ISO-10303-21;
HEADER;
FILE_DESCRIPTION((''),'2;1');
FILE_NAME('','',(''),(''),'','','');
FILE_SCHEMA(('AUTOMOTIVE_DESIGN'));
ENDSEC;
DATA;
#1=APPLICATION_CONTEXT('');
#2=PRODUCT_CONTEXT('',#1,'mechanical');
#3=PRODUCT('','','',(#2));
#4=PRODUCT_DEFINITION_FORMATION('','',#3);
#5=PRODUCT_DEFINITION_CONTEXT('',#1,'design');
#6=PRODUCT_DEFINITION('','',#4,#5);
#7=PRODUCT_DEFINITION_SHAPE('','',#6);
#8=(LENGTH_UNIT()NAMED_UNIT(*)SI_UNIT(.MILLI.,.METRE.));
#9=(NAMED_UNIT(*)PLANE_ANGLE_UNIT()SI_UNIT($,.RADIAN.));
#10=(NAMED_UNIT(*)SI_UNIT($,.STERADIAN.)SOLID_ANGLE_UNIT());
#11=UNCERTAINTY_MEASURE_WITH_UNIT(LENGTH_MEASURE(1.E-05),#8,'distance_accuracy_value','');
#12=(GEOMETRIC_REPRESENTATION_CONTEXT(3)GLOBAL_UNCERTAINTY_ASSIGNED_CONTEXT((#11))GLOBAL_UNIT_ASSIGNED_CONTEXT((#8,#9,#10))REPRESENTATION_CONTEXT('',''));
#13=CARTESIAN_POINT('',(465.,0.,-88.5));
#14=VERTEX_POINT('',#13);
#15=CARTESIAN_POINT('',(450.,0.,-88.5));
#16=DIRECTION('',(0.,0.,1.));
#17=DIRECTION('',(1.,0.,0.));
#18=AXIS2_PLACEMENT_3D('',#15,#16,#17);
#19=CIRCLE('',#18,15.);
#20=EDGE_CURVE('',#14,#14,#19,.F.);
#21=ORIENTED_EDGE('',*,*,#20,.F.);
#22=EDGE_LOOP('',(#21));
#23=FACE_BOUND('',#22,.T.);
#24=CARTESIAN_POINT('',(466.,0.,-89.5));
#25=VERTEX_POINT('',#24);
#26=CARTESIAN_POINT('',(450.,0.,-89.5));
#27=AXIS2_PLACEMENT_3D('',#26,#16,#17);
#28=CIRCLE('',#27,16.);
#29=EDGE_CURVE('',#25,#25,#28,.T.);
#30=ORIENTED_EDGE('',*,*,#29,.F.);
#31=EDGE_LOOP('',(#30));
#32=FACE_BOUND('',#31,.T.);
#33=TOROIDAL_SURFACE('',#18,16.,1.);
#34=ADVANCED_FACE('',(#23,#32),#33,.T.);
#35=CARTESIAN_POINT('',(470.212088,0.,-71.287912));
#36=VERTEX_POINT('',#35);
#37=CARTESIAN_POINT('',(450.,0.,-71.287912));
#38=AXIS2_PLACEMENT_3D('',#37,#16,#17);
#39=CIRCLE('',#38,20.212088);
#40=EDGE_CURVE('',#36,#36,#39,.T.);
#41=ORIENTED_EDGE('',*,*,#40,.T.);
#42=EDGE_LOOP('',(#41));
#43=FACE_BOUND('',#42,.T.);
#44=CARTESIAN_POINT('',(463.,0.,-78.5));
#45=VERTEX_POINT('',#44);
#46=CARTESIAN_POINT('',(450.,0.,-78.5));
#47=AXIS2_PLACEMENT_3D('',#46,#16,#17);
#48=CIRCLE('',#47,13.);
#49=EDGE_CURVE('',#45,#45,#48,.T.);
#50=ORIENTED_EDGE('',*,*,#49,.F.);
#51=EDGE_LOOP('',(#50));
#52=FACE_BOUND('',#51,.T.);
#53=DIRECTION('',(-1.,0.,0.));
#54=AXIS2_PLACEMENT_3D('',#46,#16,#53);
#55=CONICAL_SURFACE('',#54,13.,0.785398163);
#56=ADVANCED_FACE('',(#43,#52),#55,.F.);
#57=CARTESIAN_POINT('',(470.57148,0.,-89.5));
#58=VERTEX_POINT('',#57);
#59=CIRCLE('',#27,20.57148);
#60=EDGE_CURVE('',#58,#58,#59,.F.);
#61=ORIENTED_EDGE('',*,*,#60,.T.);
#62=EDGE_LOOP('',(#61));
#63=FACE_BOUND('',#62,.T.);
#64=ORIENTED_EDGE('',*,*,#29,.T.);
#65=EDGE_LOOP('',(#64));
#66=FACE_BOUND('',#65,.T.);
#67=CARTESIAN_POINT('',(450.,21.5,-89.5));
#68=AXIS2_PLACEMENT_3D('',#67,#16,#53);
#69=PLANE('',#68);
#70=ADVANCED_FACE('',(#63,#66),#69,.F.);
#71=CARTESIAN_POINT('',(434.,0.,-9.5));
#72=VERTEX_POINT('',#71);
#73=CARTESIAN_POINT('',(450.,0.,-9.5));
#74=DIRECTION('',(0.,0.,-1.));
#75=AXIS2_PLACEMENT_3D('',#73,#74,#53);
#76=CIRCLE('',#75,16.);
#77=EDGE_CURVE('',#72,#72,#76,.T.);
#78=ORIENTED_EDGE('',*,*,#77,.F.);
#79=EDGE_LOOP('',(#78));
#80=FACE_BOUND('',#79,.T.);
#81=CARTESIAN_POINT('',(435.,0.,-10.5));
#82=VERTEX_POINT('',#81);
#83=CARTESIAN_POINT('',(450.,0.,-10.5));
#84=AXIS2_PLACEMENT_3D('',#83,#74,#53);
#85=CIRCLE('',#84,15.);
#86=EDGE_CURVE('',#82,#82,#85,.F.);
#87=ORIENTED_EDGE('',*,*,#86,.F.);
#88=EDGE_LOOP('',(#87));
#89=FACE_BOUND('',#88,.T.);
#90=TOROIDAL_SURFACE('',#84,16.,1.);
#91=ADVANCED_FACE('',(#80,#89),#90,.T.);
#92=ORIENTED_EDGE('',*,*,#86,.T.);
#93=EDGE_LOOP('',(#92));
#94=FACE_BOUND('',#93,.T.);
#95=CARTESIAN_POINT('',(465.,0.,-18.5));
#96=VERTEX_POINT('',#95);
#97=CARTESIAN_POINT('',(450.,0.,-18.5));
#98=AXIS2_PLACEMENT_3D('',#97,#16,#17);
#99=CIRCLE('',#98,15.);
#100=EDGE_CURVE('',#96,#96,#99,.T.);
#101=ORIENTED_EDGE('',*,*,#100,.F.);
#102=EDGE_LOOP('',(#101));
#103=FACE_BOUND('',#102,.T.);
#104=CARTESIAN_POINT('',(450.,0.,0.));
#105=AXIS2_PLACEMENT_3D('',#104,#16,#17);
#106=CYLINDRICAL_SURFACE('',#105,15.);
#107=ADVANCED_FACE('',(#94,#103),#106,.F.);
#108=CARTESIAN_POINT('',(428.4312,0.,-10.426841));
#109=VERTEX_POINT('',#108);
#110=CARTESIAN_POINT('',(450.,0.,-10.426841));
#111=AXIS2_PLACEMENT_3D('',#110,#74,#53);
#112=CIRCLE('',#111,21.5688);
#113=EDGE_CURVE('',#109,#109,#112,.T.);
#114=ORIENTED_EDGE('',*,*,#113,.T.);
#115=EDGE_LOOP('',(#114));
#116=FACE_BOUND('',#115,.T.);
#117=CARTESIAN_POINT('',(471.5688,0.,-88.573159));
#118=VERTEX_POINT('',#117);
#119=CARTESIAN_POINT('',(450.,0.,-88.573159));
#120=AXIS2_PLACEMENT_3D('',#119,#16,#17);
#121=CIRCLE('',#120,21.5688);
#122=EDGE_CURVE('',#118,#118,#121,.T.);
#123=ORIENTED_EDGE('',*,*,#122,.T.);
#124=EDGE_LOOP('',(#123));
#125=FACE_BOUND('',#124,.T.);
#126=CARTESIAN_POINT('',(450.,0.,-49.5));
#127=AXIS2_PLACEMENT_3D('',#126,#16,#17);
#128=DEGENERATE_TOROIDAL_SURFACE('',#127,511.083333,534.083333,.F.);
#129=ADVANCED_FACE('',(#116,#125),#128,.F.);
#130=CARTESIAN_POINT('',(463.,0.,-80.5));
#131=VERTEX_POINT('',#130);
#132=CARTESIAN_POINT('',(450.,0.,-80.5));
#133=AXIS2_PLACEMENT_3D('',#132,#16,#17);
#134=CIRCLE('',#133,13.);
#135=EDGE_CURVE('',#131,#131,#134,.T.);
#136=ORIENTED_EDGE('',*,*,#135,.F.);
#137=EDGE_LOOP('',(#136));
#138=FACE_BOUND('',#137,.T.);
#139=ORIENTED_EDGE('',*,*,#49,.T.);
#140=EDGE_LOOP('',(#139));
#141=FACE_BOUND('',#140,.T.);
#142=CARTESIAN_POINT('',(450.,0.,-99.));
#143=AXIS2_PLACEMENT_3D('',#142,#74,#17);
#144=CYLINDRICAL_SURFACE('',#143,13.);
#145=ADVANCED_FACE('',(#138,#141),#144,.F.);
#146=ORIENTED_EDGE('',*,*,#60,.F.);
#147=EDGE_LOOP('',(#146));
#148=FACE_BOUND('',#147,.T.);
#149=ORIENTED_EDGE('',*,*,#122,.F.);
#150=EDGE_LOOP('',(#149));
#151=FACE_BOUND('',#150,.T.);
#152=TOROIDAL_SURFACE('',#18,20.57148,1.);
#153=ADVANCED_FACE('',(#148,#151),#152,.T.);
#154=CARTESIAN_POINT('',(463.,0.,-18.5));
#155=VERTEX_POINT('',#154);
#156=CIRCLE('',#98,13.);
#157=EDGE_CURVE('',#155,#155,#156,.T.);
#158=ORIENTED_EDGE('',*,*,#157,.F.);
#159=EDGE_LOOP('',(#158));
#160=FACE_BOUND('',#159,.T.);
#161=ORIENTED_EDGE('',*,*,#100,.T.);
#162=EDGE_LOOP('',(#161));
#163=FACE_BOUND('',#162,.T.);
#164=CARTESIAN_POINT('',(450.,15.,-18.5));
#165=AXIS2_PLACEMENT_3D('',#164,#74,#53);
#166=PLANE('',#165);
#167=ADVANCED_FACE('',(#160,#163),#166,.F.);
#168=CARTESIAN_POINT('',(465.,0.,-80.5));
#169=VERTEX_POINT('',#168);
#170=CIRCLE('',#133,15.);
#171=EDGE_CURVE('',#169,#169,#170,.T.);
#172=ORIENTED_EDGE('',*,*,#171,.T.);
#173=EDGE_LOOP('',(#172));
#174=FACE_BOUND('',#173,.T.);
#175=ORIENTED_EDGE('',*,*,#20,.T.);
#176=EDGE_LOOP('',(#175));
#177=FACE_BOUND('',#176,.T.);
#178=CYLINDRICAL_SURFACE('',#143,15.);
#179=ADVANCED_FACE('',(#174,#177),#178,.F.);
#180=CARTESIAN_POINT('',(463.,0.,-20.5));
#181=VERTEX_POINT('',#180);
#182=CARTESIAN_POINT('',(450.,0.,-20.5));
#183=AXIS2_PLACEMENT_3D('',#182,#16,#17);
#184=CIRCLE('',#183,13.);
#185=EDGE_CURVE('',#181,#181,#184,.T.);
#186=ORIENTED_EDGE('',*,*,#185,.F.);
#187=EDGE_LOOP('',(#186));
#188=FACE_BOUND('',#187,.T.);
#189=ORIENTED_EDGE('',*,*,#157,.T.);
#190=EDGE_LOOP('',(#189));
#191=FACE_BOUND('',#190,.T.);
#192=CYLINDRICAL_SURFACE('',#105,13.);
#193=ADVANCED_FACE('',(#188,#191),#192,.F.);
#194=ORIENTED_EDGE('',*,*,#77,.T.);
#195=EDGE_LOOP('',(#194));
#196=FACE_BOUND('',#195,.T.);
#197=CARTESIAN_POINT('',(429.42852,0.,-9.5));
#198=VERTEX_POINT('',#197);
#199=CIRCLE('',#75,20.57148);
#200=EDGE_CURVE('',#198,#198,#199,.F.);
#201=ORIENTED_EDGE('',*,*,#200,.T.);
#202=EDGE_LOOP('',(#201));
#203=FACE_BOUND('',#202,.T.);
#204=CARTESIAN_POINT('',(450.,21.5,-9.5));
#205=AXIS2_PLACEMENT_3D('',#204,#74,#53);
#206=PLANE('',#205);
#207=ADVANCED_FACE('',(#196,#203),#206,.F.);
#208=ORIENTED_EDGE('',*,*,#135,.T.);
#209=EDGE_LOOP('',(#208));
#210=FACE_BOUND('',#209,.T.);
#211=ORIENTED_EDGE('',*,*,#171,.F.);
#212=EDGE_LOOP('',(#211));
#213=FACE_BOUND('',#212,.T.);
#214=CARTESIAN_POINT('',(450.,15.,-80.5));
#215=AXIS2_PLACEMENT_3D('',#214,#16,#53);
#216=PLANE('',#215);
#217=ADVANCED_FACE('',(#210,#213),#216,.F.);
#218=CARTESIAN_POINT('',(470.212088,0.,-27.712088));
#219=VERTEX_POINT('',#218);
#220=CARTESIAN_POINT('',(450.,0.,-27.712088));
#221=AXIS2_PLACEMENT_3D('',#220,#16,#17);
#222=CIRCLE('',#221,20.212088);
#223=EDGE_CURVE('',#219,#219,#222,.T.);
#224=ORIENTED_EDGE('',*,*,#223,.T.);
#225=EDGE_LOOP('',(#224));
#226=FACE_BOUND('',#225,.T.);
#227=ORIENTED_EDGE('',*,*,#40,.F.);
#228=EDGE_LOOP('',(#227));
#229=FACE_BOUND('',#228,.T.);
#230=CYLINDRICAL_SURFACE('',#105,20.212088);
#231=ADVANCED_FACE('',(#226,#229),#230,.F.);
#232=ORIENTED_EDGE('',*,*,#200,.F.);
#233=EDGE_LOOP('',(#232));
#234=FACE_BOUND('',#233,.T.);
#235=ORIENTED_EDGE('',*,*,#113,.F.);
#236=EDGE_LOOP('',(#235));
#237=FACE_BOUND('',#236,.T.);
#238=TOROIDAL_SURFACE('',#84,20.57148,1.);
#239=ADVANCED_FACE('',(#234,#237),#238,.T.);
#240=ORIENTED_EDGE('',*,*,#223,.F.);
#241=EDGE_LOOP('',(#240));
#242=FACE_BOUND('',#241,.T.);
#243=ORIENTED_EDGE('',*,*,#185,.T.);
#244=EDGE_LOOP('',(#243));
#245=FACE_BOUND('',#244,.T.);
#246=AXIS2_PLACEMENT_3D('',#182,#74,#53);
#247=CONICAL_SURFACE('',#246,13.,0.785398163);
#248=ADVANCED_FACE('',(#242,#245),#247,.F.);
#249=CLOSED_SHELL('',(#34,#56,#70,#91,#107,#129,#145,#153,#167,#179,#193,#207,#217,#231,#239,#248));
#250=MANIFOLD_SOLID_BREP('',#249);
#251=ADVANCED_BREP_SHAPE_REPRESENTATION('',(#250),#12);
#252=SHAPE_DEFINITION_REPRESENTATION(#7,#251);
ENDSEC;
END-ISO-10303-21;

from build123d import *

# Parameters (mm, degrees)
VERRUNDUNG1_R = 1


with BuildPart() as part:
    # Skizze1 → Rotation1 (revolve)
    with BuildSketch(Plane(origin=(450, 0, 0), x_dir=(0, 0, -1), z_dir=(1, 0, 0)), mode=Mode.PRIVATE) as rotation1_sk:
        with BuildLine():
            Line((27.712088496, 20.212088496), (49.5, 20.212088496))
            Line((49.5, 20.212088496), (49.5, 23))
            ThreePointArc((49.5, 23), (29.48594244, 22.624868257), (9.5, 21.5))
            Line((9.5, 21.5), (9.5, 15))
            Line((9.5, 15), (18.5, 15))
            Line((18.5, 15), (18.5, 13))
            Line((18.5, 13), (20.5, 13))
            Line((20.5, 13), (27.712088496, 20.212088496))
        make_face()
    revolve(rotation1_sk.sketch.rotate(Axis((450, 0, 0), (0, 0, -1)), 90), axis=Axis((450, 0, 0), (0, 0, -1)))

    # Spiegeln1: part across plane


with BuildPart() as part_1:
    add(part.part)
    add(part.part.mirror(Plane(origin=(450, 23, -49.5), x_dir=(1, 0, 0), z_dir=(0, 0, 1))))

    # Verrundung1
    verrundung1_edges = [part_1.edges().sort_by_distance(p)[0] for p in [
        (428.5, 0, -89.5),
        (435, 0, -89.5),
        (435, 0, -9.5),
        (428.5, 0, -9.5),
    ]]
    fillet(verrundung1_edges, radius=VERRUNDUNG1_R)


solid = part_1.part
